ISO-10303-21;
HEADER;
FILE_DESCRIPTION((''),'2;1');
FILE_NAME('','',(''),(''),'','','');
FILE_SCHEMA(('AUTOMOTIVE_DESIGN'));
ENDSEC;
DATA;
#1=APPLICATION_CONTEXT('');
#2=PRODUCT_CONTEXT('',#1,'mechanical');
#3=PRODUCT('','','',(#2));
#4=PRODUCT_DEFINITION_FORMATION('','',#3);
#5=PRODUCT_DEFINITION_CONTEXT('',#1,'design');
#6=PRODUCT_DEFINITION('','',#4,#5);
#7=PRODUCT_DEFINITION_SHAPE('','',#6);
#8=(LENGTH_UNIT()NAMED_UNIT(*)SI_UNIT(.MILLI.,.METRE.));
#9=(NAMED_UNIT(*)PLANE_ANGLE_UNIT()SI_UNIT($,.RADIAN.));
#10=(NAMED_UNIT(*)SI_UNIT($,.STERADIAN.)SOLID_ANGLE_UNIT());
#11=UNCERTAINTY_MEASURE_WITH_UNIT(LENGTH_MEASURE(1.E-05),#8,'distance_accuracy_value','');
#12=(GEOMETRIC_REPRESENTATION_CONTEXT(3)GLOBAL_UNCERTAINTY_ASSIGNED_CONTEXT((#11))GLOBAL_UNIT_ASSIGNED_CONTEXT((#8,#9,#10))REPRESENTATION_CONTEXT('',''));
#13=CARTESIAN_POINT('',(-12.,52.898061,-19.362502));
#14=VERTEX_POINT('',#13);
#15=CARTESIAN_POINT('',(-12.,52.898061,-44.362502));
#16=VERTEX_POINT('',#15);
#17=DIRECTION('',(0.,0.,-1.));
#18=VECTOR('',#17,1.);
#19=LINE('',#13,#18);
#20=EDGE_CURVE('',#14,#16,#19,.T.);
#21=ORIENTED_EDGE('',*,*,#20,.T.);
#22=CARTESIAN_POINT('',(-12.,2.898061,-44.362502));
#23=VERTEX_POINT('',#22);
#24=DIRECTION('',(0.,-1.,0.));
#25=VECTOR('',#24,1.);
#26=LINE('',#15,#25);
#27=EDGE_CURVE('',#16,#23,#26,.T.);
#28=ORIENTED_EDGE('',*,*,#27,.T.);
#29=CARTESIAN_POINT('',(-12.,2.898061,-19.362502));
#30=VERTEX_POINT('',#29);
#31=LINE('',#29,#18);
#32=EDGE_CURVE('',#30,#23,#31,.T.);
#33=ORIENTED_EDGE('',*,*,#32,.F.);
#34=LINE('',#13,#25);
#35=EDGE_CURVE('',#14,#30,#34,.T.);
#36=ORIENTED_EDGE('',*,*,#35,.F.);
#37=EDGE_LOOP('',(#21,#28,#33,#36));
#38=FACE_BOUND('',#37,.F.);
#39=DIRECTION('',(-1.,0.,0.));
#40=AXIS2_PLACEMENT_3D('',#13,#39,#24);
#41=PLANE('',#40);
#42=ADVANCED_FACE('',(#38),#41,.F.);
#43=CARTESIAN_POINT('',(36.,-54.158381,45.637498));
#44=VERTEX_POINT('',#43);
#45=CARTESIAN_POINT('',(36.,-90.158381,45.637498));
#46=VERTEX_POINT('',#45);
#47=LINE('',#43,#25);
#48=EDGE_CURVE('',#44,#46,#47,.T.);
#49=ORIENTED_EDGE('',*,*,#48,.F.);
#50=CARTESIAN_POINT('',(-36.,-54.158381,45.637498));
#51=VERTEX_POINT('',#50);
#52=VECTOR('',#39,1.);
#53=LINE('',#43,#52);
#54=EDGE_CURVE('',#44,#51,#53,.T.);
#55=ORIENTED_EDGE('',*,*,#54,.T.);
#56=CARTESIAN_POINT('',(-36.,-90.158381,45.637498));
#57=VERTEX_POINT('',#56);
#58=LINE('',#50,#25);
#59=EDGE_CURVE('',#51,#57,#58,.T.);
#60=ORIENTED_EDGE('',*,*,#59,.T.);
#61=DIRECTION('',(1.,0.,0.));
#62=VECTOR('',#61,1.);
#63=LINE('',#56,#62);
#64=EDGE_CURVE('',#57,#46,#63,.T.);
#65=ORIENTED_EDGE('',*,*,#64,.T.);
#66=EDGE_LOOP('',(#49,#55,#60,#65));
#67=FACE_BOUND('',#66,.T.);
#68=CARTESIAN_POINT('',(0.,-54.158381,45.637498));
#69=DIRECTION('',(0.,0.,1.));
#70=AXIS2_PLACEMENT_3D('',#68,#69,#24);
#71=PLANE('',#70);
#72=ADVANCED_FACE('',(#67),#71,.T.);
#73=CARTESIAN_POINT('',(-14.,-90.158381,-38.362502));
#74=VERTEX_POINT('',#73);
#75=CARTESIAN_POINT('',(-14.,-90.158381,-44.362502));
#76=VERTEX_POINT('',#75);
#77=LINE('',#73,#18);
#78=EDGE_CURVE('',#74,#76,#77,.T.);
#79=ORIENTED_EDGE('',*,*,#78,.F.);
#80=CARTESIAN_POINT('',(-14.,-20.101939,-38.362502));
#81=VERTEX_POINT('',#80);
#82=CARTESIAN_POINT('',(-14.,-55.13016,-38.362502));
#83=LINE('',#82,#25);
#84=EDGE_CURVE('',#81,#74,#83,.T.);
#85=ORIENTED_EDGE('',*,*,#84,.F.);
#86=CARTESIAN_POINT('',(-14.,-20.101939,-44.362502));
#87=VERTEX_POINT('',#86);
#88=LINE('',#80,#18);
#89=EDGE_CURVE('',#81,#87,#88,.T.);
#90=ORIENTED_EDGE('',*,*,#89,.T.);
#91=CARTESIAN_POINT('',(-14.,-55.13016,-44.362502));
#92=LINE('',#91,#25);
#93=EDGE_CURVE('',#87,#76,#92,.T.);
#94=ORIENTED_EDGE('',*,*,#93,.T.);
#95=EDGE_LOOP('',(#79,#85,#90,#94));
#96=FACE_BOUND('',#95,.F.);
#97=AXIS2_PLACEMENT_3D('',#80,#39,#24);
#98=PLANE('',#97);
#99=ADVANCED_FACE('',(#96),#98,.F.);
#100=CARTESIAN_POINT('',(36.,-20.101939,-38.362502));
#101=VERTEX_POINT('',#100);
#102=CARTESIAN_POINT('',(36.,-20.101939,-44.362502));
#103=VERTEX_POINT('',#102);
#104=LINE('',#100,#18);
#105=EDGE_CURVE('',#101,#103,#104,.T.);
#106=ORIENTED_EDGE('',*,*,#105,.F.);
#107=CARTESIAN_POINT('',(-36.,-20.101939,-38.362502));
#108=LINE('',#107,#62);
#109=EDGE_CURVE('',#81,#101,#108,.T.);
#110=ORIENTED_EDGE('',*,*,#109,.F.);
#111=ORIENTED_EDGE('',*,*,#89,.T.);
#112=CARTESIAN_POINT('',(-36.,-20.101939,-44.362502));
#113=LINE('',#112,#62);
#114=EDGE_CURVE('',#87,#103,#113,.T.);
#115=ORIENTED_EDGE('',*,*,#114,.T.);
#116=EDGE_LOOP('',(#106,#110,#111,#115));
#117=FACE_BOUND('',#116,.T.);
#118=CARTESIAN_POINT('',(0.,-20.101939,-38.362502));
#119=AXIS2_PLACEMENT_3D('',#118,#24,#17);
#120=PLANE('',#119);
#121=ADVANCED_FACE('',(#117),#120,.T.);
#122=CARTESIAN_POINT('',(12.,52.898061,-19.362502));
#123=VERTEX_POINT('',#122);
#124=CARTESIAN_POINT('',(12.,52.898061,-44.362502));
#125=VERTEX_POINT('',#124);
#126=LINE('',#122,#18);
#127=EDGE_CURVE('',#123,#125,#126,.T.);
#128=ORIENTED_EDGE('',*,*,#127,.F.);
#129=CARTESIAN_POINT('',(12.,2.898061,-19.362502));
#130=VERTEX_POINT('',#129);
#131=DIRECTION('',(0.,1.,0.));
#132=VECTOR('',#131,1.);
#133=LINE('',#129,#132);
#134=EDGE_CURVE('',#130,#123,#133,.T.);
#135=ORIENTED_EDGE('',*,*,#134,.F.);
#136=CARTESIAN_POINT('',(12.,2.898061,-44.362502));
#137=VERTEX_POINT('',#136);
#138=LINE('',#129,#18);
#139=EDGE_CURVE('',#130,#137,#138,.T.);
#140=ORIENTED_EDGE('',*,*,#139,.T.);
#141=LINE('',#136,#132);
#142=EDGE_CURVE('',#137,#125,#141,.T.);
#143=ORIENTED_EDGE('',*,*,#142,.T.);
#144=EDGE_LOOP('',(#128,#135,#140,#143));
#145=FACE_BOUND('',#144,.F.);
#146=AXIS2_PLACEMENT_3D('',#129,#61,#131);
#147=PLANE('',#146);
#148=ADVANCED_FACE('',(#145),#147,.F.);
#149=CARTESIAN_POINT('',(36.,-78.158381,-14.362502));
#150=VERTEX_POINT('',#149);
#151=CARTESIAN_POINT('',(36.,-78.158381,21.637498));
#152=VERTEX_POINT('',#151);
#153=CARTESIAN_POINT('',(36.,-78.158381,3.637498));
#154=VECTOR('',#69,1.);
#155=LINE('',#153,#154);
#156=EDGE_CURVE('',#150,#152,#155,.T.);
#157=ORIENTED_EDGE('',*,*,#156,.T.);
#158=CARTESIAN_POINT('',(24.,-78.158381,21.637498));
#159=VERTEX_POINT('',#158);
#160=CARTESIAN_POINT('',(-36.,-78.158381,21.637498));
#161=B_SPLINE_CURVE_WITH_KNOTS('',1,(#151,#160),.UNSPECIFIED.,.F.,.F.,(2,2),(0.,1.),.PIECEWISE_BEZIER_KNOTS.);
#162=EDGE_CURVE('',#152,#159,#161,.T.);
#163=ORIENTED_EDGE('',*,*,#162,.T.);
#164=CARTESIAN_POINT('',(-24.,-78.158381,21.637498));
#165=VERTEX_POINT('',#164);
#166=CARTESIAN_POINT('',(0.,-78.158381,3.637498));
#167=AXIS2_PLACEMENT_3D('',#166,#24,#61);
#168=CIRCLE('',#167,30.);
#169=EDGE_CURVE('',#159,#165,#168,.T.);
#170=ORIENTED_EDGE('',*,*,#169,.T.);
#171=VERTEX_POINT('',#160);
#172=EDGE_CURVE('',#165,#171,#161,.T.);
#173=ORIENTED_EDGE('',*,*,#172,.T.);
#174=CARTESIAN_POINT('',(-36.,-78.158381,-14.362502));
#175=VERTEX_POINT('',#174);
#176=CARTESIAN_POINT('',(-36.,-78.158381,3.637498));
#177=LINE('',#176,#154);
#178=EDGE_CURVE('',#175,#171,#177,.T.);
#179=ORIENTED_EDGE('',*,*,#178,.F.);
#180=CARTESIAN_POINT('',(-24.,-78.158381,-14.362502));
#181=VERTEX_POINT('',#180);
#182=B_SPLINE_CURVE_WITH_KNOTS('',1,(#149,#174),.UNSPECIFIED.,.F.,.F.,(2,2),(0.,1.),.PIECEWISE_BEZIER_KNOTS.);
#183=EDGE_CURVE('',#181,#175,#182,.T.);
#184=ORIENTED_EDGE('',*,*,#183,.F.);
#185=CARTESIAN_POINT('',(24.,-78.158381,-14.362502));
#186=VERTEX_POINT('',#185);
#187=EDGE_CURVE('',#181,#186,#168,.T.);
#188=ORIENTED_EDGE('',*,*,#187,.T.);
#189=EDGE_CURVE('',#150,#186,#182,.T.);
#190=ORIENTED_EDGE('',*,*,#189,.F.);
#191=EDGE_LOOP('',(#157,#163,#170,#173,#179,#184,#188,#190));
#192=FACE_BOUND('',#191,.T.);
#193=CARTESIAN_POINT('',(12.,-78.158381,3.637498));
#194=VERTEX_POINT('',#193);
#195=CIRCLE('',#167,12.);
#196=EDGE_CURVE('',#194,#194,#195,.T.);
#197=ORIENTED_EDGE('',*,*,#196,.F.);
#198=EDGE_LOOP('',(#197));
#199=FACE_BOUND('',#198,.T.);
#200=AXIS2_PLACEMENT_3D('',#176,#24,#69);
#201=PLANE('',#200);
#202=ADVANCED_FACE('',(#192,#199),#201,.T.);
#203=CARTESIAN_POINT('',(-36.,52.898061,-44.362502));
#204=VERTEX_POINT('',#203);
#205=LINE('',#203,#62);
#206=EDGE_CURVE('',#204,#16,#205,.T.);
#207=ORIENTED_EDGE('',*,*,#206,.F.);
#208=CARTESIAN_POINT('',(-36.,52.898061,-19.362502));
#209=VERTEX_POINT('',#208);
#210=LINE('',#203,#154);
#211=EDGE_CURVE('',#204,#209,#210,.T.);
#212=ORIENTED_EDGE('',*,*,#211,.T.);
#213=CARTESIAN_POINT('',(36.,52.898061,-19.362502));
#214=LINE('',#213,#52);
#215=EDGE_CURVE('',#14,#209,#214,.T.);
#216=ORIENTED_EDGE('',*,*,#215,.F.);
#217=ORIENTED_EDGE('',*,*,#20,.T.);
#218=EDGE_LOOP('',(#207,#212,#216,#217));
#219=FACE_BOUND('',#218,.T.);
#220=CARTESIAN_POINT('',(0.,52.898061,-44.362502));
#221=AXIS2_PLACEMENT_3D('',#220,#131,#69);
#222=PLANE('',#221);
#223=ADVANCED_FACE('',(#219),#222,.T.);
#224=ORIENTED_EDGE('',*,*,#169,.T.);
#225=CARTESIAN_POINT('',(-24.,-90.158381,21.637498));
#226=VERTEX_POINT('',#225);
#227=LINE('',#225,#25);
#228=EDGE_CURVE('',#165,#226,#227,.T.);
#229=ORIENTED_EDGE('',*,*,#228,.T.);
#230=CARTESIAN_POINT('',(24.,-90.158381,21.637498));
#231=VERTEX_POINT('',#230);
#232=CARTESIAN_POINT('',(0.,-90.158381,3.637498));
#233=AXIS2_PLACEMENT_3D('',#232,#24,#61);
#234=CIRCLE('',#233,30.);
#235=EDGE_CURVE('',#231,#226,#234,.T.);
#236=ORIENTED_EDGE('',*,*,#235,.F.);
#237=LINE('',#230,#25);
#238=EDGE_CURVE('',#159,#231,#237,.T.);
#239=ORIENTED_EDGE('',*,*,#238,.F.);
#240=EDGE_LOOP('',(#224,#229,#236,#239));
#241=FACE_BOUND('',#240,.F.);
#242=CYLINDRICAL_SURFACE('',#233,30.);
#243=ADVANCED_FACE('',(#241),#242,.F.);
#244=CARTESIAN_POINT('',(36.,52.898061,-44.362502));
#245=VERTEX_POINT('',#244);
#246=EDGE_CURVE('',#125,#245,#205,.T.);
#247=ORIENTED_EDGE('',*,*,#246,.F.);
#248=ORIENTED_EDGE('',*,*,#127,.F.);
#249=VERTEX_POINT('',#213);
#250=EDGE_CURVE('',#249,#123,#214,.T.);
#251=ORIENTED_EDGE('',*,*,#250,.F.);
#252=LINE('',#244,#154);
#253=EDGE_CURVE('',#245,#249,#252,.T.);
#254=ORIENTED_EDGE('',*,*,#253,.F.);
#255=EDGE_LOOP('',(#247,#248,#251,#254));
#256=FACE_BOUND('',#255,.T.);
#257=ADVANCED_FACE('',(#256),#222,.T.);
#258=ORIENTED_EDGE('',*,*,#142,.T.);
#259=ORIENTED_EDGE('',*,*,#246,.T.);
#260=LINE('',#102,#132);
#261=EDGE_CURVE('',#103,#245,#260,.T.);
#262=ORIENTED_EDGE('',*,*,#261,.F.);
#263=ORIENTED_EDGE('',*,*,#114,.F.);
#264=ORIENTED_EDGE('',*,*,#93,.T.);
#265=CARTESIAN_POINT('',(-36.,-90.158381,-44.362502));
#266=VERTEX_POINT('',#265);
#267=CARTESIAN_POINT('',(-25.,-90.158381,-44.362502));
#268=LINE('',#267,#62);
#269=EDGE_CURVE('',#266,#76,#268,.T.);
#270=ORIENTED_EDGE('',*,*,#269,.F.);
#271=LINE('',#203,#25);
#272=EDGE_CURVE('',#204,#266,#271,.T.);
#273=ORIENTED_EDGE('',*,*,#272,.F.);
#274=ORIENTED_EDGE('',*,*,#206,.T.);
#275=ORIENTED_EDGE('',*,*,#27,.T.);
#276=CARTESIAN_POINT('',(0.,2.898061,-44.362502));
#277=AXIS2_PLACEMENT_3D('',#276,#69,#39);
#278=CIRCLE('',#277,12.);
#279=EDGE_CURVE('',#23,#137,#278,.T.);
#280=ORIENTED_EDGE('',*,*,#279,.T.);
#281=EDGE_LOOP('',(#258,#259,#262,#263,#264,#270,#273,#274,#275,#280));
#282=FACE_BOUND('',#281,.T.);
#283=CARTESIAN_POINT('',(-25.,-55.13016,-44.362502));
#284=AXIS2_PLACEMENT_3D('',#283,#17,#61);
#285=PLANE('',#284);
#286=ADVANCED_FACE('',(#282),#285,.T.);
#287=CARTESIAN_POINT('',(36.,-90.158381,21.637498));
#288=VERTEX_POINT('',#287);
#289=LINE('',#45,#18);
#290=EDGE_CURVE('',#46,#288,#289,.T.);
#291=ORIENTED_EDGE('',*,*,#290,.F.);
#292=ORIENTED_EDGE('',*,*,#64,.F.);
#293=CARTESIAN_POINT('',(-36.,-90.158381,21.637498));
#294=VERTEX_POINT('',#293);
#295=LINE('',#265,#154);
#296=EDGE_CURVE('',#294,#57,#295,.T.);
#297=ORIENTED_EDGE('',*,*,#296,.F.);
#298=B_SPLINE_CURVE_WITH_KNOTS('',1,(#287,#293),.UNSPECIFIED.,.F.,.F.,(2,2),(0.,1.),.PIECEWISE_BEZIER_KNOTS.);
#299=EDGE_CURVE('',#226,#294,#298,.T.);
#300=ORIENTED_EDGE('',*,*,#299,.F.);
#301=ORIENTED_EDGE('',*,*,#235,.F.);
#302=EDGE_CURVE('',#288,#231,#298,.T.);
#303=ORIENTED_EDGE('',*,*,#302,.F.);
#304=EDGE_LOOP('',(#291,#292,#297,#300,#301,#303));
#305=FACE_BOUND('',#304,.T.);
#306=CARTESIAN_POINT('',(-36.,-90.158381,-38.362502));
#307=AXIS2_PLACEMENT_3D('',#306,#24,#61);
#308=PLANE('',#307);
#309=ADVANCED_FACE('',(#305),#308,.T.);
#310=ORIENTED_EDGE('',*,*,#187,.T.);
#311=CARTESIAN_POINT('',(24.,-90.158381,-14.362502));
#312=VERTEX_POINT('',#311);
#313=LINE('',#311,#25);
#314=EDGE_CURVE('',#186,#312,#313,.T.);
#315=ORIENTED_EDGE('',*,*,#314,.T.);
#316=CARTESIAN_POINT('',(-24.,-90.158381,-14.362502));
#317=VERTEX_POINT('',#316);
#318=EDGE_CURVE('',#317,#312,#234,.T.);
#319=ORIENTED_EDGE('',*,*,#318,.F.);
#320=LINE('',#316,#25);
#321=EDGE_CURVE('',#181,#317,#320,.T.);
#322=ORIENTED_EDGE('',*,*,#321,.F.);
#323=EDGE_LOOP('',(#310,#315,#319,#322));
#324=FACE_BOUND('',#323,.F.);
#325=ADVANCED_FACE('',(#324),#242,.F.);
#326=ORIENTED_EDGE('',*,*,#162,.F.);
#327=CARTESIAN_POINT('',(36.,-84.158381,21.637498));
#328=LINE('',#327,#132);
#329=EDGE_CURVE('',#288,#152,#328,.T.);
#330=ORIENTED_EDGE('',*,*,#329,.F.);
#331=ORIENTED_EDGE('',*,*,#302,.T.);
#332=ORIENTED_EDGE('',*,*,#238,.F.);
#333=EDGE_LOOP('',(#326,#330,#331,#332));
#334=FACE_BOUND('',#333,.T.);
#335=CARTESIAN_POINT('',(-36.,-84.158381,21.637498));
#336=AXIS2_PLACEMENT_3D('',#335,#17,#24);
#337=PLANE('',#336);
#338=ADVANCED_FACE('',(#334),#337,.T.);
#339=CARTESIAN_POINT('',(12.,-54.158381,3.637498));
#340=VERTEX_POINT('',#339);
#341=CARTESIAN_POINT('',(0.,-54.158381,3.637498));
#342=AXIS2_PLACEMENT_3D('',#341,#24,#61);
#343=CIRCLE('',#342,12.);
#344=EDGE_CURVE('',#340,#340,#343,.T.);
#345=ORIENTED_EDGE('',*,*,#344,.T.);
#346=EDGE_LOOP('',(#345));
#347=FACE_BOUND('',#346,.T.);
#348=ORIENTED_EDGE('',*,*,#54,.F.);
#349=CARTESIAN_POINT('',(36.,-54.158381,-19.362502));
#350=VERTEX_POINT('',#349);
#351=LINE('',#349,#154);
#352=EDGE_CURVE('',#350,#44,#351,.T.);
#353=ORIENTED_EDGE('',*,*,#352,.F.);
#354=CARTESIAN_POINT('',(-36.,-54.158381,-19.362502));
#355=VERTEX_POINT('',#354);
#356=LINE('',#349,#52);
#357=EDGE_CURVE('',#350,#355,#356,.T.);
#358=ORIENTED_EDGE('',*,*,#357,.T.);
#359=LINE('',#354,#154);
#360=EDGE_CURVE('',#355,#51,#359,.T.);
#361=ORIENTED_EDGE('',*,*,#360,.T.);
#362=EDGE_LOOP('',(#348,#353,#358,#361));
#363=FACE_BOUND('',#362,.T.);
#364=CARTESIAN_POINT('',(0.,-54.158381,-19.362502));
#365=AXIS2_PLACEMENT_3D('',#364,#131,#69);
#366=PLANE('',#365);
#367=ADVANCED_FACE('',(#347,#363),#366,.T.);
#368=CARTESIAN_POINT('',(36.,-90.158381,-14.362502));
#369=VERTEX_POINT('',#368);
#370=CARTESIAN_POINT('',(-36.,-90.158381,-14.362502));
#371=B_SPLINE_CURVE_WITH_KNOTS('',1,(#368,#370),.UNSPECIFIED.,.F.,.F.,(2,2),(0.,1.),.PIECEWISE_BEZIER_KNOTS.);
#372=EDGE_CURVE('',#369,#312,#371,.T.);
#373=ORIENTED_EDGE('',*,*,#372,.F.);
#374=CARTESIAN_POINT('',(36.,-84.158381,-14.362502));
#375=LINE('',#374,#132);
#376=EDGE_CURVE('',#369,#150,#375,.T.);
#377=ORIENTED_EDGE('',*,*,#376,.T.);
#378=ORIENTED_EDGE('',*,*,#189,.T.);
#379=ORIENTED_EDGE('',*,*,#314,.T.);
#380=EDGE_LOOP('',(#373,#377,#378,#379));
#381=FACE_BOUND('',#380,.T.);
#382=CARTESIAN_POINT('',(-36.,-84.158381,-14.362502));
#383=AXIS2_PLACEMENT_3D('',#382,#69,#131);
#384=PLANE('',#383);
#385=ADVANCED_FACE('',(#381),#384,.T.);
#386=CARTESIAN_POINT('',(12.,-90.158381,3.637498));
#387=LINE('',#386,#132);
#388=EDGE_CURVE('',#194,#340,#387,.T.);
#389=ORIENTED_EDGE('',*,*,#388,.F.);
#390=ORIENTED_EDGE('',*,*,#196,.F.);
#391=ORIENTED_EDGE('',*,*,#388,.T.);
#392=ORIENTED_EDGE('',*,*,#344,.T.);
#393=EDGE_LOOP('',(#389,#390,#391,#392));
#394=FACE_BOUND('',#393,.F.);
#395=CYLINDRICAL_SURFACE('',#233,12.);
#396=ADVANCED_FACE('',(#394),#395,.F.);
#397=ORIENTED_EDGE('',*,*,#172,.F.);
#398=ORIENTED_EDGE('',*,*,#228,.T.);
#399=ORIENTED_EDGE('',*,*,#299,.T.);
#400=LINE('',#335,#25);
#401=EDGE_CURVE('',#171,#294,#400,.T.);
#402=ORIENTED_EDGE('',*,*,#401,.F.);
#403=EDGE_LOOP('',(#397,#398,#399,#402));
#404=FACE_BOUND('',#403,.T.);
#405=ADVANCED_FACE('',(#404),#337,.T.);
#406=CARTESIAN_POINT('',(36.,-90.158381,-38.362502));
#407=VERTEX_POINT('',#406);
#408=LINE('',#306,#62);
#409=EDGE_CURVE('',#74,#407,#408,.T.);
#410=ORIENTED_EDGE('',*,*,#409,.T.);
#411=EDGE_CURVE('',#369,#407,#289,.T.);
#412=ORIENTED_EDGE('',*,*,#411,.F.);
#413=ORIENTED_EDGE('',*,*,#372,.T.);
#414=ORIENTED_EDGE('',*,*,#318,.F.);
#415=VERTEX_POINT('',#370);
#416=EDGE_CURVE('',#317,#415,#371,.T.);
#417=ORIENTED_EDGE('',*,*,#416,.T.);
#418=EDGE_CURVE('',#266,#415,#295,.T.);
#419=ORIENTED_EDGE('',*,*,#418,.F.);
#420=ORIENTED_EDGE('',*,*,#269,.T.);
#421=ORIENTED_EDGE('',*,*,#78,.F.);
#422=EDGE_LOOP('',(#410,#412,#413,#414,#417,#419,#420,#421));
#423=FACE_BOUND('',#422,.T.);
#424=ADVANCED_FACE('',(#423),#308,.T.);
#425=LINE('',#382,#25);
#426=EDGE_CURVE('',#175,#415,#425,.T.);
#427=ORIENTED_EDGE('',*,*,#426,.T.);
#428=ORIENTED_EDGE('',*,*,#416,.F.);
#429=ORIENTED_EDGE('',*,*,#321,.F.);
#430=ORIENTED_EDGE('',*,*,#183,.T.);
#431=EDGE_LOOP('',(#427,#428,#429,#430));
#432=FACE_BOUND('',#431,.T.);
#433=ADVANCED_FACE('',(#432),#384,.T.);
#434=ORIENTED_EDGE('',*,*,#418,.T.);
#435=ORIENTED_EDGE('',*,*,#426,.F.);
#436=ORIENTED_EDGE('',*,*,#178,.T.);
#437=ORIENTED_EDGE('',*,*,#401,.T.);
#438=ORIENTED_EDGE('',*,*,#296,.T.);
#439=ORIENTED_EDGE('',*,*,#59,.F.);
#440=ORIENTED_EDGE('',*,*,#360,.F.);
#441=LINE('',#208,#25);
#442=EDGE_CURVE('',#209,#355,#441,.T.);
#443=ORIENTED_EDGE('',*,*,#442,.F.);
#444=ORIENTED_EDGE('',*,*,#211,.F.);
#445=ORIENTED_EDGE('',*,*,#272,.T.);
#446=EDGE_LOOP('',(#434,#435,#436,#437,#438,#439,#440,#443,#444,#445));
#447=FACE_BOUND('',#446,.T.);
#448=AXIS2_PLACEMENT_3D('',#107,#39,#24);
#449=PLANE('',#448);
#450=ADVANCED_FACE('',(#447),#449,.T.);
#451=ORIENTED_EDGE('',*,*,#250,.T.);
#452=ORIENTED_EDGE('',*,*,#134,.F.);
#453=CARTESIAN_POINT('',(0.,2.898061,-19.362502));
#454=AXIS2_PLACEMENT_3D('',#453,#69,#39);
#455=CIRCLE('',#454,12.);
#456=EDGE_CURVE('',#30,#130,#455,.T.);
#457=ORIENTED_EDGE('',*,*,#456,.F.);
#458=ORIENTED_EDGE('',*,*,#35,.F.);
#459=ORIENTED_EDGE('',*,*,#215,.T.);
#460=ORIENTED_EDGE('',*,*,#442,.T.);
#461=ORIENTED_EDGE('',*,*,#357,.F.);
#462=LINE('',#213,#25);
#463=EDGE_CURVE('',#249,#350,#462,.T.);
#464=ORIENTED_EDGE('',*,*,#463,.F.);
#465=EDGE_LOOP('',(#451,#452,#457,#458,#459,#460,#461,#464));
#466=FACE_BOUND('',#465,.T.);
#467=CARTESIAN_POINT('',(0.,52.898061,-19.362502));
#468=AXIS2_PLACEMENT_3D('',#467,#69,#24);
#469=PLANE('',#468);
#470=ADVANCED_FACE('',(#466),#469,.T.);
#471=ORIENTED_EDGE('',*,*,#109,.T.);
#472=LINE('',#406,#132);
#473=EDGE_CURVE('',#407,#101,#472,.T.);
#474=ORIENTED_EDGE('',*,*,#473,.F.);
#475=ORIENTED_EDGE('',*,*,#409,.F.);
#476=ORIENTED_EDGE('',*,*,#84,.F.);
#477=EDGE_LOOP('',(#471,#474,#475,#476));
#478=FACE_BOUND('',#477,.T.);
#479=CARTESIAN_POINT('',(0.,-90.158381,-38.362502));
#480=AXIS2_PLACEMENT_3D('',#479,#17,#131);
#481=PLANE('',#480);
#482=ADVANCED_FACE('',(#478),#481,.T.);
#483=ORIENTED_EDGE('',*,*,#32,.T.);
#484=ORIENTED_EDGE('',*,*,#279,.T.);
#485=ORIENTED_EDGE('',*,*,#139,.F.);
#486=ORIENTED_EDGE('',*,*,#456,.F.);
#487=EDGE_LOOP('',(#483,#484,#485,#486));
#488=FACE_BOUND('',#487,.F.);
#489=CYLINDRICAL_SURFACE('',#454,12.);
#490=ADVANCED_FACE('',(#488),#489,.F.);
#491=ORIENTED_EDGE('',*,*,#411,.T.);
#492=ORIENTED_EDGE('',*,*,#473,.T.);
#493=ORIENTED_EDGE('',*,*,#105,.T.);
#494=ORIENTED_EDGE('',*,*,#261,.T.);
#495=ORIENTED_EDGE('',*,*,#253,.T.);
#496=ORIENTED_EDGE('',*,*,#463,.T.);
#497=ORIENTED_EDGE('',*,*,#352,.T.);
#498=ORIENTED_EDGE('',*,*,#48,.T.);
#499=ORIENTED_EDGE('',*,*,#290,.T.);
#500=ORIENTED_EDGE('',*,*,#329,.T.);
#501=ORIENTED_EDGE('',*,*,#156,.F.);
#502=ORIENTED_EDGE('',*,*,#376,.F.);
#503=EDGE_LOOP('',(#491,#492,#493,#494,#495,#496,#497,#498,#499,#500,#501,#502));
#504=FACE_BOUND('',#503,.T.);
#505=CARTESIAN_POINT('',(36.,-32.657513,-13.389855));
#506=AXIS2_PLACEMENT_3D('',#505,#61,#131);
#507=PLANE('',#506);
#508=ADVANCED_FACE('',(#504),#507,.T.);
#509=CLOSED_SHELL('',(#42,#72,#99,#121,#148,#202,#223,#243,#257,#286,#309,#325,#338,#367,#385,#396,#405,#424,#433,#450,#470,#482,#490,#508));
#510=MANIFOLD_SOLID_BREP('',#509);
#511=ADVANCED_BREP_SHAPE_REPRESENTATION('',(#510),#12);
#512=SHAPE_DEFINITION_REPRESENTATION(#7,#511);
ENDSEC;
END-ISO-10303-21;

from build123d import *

# Parameters (mm, degrees)
F1_DEPTH  = 36
F2_W      = 22
F2_H      = 70.056442
F3_DEPTH  = 6
F4_R      = 12
F5_DEPTH  = 143.057441
F6_R      = 30
F7_DEPTH  = 12
F8_W      = 12
F8_H      = 36
F9_W      = 12
F9_H      = 36
F12_DEPTH = 25


with BuildPart() as f1:
    # F0 (on Right) → F1 (new body, symmetric)
    with BuildSketch(Plane.YZ):
        Polygon((-54.158381, 45.637498), (-90.158381, 45.637498), (-90.158381, -38.362502), (-20.101939, -38.362502), (-20.101939, -44.362502), (52.898061, -44.362502), (52.898061, -19.362502), (-54.158381, -19.362502), align=None)
    extrude(amount=F1_DEPTH, both=True)

    # F2 (on face) → F3 (join)
    with BuildSketch(Plane(origin=(0, 0, -38.362502), x_dir=(1, 0, 0), z_dir=(0, 0, -1))):
        with Locations((-25, 55.13016)):
            Rectangle(F2_W, F2_H)
    extrude(amount=F3_DEPTH)

    # F4 (on face) → F5 (cut, through all)
    with BuildSketch(Plane.XZ.offset(90.158381)):
        with Locations((0, 3.637498)):
            Circle(F4_R)
    extrude(amount=-F5_DEPTH, mode=Mode.SUBTRACT)

    # F6 (on face) → F7 (cut)
    with BuildSketch(Plane.XZ.offset(90.158381)):
        with Locations((0, 3.637498)):
            Circle(F6_R)
    extrude(amount=-F7_DEPTH, mode=Mode.SUBTRACT)

    # F8 (on face) → F10 section 0
    with BuildSketch(Plane.YZ.offset(36)):
        with Locations((-84.158381, 3.637498)):
            Rectangle(F8_W, F8_H)
    # F9 (on face) → F10 section 1
    with BuildSketch(Plane(origin=(-36, 0, 0), x_dir=(0, -1, 0), z_dir=(-1, 0, 0))):
        with Locations((84.158381, 3.637498)):
            Rectangle(F9_W, F9_H)
    loft(mode=Mode.SUBTRACT)

    # F11 (on face) → F12 (cut)
    with BuildSketch(Plane.XY.offset(-19.362502)):
        with BuildLine():
            Line((12, 2.898061), (12, 52.898061))
            Line((12, 52.898061), (-12, 52.898061))
            Line((-12, 52.898061), (-12, 2.898061))
            ThreePointArc((-12, 2.898061), (0, -9.101939), (12, 2.898061))
        make_face()
    extrude(amount=-F12_DEPTH, mode=Mode.SUBTRACT)


solid = f1.part
